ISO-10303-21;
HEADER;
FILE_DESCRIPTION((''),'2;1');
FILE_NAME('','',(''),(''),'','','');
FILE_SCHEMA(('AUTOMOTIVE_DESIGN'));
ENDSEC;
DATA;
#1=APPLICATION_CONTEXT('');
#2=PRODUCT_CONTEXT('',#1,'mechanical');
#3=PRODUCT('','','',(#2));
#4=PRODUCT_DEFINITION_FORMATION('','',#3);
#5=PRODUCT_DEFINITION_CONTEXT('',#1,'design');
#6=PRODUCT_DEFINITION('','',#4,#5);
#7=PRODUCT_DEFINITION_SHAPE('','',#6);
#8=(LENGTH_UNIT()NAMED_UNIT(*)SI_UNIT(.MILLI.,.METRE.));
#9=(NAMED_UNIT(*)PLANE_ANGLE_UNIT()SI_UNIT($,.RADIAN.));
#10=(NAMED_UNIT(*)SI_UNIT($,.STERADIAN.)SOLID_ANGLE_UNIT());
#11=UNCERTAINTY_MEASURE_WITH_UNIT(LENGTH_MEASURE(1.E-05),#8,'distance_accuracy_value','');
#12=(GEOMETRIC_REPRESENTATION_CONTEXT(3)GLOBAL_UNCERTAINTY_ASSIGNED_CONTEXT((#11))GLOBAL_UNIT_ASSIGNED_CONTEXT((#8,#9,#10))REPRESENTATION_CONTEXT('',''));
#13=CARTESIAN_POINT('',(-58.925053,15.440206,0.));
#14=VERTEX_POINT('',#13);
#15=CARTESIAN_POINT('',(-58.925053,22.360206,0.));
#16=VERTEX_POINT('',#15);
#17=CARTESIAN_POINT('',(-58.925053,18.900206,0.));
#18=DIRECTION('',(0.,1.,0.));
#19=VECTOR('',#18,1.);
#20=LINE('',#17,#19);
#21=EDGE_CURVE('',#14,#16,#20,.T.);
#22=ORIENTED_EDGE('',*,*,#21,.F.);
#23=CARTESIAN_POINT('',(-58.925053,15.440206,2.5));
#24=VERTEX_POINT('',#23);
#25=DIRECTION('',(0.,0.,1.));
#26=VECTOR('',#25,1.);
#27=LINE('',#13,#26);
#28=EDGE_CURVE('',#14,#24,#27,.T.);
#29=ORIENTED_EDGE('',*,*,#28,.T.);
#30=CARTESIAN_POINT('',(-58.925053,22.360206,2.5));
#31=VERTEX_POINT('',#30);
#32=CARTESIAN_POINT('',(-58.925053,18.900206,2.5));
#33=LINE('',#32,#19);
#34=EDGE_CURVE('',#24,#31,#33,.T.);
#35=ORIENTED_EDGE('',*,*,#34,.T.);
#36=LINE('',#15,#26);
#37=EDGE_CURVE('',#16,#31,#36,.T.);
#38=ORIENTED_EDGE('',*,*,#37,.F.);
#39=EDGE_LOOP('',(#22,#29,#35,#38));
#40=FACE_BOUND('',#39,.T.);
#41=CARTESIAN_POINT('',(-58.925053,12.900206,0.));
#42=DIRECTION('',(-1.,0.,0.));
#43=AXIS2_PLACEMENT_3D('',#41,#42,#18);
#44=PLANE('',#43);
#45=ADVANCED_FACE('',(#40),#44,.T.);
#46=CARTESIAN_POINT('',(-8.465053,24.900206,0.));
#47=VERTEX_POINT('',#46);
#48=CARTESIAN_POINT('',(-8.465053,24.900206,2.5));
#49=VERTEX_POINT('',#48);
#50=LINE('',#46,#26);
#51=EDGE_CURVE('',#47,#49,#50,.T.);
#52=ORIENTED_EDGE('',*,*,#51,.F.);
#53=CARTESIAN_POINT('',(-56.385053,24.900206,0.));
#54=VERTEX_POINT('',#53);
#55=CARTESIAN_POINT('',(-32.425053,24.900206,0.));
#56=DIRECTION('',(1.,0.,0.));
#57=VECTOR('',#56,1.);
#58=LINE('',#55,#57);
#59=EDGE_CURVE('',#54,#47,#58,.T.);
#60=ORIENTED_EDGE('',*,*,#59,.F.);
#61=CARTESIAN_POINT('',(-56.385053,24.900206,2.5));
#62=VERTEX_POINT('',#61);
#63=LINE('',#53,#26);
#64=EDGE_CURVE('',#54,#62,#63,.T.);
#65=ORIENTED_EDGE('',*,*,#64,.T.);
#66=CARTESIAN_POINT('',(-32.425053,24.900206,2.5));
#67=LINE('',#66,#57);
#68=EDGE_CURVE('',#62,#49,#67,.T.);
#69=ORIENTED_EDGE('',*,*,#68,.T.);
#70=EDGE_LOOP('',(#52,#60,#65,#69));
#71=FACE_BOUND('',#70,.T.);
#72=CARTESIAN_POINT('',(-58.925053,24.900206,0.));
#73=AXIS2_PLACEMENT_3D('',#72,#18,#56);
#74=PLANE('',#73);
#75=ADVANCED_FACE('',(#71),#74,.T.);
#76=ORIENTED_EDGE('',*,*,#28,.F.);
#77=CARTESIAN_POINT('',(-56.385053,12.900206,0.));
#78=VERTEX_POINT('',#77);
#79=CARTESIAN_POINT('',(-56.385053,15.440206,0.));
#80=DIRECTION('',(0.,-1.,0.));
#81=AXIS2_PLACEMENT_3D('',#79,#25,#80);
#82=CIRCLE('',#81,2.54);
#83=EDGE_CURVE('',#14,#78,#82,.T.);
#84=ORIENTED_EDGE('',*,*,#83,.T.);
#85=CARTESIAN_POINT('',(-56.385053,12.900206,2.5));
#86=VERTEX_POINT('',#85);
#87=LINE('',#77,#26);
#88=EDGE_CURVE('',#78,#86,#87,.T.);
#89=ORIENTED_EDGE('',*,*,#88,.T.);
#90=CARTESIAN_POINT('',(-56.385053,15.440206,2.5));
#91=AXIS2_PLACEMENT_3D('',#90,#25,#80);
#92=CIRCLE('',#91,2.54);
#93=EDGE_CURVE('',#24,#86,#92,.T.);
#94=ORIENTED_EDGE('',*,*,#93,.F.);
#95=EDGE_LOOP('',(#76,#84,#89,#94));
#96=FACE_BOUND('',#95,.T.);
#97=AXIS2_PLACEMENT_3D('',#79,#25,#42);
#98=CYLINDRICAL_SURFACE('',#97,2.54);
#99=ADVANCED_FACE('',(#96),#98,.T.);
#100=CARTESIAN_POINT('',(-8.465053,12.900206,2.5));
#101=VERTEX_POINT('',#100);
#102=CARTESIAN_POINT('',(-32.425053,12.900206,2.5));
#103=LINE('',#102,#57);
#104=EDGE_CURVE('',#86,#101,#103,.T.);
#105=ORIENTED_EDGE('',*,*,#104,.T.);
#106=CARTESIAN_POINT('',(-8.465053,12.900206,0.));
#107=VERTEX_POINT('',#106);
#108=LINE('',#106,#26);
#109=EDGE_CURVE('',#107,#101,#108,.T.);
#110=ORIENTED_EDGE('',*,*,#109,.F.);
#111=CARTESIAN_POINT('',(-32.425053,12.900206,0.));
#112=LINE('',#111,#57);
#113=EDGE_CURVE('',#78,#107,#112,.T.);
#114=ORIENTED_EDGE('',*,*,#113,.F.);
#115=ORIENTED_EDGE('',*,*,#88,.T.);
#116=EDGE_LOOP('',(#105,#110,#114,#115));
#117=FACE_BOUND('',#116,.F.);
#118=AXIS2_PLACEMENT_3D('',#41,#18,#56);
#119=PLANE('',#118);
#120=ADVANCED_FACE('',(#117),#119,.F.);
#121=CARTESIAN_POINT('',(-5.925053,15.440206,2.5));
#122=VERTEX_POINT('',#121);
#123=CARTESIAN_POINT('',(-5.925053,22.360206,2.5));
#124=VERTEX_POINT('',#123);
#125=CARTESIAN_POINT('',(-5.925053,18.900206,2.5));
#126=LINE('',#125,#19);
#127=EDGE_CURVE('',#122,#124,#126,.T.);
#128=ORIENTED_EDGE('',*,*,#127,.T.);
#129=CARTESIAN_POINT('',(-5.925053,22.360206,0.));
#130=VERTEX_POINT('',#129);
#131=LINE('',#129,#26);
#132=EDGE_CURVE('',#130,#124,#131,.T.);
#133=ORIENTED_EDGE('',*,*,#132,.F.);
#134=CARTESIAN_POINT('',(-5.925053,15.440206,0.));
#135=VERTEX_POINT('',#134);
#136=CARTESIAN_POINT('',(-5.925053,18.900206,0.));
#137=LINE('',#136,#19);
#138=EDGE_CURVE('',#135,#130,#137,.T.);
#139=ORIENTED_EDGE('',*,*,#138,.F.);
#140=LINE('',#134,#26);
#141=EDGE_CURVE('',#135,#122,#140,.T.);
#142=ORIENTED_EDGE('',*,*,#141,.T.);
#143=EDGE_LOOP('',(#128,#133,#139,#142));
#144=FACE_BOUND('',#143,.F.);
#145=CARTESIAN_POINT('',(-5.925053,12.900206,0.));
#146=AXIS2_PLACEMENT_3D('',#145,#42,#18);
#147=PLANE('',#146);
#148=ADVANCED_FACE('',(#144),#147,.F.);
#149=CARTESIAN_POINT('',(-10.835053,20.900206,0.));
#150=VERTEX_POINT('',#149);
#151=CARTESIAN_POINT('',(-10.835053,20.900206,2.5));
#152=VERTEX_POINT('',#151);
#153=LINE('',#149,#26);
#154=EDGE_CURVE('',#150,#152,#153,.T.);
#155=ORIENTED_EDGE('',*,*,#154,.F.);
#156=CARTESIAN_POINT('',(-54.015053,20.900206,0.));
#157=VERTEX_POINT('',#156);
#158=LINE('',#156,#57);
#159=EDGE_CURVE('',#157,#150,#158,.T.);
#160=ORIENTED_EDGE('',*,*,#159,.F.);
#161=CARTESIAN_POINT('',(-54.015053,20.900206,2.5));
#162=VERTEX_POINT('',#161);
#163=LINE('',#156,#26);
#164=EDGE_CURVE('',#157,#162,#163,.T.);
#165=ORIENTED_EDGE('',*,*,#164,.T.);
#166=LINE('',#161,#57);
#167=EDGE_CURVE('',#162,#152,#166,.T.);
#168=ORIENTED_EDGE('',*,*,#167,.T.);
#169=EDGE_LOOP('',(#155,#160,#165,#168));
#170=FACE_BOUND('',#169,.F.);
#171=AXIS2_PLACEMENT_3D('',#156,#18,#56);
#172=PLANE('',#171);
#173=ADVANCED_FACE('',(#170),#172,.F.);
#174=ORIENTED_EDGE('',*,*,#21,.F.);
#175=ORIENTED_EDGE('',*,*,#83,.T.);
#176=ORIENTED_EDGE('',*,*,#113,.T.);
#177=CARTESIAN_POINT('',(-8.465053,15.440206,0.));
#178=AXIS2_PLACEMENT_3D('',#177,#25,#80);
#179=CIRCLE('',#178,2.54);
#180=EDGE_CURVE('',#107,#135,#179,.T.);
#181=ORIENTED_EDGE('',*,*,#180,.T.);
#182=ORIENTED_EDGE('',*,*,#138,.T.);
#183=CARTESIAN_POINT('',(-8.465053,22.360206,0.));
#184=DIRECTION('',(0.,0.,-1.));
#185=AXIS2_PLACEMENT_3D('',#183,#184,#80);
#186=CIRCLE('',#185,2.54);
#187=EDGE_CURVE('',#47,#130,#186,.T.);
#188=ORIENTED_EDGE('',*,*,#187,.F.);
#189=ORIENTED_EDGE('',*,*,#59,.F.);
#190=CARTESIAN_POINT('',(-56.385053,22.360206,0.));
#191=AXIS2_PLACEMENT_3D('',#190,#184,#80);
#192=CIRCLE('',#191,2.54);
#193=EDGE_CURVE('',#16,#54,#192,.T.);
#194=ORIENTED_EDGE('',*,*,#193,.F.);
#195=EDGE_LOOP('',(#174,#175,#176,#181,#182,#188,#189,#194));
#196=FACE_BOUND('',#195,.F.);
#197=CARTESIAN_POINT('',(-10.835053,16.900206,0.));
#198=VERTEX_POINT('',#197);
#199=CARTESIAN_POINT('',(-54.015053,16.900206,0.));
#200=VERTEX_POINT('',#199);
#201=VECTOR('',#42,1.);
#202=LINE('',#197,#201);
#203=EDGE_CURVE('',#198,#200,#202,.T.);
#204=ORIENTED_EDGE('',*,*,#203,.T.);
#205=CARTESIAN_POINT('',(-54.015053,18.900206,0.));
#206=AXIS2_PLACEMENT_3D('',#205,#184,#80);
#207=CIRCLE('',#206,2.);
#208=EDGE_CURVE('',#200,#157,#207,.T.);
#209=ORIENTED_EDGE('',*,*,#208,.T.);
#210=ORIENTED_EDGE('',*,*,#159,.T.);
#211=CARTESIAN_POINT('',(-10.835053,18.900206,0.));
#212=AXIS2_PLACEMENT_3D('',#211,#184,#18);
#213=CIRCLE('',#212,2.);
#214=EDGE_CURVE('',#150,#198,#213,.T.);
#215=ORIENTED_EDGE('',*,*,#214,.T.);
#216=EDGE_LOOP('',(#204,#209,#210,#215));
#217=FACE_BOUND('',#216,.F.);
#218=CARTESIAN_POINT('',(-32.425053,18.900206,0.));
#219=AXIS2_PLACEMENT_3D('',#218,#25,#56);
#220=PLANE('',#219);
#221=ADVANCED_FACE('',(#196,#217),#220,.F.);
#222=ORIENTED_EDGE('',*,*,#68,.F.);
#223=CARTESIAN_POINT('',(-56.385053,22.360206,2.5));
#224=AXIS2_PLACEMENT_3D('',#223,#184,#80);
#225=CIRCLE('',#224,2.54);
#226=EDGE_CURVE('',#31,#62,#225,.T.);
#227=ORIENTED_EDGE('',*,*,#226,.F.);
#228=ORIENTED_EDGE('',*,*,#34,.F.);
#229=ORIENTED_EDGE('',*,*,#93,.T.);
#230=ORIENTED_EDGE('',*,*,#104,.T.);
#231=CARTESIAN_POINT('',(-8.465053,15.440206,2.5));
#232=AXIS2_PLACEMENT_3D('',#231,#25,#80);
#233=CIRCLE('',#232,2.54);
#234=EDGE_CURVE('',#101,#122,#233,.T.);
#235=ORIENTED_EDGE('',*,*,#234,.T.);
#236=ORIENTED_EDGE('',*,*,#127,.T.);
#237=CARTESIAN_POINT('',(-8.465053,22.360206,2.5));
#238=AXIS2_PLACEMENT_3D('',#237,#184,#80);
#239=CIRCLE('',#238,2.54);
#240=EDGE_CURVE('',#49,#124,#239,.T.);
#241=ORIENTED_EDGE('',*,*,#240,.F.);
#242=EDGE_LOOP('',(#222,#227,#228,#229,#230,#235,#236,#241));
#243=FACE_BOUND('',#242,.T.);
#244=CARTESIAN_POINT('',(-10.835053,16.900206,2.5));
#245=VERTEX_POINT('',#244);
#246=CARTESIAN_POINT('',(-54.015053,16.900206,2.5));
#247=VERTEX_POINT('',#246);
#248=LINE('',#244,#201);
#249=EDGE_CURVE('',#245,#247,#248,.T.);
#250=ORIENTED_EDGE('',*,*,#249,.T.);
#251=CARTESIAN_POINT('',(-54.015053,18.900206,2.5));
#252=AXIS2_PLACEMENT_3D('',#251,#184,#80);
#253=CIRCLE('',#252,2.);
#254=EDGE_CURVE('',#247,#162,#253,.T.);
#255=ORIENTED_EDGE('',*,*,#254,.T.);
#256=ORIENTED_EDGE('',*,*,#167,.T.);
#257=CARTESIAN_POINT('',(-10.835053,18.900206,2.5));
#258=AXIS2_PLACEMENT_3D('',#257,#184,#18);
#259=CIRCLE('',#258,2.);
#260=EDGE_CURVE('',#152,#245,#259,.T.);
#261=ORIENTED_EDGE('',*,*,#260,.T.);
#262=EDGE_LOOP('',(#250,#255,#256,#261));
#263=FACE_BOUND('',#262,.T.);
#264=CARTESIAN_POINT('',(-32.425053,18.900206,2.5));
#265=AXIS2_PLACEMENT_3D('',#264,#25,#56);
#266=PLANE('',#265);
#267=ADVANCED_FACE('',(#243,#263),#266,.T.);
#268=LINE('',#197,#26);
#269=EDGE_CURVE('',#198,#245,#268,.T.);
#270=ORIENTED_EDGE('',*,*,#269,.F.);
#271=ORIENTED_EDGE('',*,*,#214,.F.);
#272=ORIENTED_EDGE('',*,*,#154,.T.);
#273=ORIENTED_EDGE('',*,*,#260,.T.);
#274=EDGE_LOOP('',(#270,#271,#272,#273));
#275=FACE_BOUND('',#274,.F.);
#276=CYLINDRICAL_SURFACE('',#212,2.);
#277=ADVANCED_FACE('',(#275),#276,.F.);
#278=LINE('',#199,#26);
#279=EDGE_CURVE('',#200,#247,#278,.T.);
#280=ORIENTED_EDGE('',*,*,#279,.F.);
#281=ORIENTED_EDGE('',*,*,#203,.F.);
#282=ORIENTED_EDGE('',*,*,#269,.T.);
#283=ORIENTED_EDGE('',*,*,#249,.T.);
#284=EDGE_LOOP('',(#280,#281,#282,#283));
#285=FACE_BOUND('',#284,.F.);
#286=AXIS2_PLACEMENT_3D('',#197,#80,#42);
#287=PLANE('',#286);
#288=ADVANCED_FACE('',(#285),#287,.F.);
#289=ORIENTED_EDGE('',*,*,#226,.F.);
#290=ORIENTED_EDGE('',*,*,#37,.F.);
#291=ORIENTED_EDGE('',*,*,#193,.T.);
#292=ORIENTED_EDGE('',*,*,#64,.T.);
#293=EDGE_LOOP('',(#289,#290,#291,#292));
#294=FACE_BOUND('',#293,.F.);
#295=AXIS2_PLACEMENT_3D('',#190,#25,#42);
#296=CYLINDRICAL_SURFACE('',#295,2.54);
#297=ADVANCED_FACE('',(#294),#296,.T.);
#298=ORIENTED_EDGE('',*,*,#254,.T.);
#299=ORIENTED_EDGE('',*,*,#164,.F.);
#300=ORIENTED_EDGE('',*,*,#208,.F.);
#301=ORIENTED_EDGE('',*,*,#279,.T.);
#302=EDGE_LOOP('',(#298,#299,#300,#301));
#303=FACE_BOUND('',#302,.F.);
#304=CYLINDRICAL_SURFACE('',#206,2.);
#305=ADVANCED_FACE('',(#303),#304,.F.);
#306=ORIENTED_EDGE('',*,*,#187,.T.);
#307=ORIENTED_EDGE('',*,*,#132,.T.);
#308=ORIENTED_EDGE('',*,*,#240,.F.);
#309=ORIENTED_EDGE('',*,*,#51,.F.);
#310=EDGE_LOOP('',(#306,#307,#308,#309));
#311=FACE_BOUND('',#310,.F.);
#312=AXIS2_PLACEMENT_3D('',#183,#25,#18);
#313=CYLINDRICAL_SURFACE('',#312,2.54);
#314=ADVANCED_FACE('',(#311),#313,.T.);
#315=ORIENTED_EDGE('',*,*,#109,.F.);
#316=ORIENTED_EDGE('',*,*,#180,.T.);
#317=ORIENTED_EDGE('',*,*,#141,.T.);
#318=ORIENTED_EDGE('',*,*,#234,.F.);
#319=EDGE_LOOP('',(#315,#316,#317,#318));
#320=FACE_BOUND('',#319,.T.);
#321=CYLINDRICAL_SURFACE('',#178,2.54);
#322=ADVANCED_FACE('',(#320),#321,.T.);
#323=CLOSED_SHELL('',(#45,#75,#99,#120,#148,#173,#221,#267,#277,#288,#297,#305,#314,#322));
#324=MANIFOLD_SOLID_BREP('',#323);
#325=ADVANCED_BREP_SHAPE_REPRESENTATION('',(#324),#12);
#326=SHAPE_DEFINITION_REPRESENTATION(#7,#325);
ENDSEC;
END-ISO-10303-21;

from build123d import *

# Parameters (mm, degrees)
F0_W     = 53
F0_H     = 12
F1_DEPTH = 2.5
F2_R     = 2.54


with BuildPart() as f1:
    # F0 (on Top) → F1 (new body)
    with BuildSketch(Plane.XY):
        with Locations((-32.425053, 18.900206)):
            Rectangle(F0_W, F0_H)
        with BuildLine():
            Line((-54.015053, 20.900206), (-10.835053, 20.900206))
            ThreePointArc((-10.835053, 20.900206), (-8.835053, 18.900206), (-10.835053, 16.900206))
            Line((-10.835053, 16.900206), (-54.015053, 16.900206))
            ThreePointArc((-54.015053, 16.900206), (-56.015053, 18.900206), (-54.015053, 20.900206))
        make_face(mode=Mode.SUBTRACT)
    extrude(amount=F1_DEPTH)

    # F2
    f2_edges = [f1.edges().sort_by_distance(p)[0] for p in [
        (-58.925053, 24.900206, 1.25),
        (-58.925053, 12.900206, 1.25),
        (-5.925053, 12.900206, 1.25),
        (-5.925053, 24.900206, 1.25),
    ]]
    fillet(f2_edges, radius=F2_R)


solid = f1.part
